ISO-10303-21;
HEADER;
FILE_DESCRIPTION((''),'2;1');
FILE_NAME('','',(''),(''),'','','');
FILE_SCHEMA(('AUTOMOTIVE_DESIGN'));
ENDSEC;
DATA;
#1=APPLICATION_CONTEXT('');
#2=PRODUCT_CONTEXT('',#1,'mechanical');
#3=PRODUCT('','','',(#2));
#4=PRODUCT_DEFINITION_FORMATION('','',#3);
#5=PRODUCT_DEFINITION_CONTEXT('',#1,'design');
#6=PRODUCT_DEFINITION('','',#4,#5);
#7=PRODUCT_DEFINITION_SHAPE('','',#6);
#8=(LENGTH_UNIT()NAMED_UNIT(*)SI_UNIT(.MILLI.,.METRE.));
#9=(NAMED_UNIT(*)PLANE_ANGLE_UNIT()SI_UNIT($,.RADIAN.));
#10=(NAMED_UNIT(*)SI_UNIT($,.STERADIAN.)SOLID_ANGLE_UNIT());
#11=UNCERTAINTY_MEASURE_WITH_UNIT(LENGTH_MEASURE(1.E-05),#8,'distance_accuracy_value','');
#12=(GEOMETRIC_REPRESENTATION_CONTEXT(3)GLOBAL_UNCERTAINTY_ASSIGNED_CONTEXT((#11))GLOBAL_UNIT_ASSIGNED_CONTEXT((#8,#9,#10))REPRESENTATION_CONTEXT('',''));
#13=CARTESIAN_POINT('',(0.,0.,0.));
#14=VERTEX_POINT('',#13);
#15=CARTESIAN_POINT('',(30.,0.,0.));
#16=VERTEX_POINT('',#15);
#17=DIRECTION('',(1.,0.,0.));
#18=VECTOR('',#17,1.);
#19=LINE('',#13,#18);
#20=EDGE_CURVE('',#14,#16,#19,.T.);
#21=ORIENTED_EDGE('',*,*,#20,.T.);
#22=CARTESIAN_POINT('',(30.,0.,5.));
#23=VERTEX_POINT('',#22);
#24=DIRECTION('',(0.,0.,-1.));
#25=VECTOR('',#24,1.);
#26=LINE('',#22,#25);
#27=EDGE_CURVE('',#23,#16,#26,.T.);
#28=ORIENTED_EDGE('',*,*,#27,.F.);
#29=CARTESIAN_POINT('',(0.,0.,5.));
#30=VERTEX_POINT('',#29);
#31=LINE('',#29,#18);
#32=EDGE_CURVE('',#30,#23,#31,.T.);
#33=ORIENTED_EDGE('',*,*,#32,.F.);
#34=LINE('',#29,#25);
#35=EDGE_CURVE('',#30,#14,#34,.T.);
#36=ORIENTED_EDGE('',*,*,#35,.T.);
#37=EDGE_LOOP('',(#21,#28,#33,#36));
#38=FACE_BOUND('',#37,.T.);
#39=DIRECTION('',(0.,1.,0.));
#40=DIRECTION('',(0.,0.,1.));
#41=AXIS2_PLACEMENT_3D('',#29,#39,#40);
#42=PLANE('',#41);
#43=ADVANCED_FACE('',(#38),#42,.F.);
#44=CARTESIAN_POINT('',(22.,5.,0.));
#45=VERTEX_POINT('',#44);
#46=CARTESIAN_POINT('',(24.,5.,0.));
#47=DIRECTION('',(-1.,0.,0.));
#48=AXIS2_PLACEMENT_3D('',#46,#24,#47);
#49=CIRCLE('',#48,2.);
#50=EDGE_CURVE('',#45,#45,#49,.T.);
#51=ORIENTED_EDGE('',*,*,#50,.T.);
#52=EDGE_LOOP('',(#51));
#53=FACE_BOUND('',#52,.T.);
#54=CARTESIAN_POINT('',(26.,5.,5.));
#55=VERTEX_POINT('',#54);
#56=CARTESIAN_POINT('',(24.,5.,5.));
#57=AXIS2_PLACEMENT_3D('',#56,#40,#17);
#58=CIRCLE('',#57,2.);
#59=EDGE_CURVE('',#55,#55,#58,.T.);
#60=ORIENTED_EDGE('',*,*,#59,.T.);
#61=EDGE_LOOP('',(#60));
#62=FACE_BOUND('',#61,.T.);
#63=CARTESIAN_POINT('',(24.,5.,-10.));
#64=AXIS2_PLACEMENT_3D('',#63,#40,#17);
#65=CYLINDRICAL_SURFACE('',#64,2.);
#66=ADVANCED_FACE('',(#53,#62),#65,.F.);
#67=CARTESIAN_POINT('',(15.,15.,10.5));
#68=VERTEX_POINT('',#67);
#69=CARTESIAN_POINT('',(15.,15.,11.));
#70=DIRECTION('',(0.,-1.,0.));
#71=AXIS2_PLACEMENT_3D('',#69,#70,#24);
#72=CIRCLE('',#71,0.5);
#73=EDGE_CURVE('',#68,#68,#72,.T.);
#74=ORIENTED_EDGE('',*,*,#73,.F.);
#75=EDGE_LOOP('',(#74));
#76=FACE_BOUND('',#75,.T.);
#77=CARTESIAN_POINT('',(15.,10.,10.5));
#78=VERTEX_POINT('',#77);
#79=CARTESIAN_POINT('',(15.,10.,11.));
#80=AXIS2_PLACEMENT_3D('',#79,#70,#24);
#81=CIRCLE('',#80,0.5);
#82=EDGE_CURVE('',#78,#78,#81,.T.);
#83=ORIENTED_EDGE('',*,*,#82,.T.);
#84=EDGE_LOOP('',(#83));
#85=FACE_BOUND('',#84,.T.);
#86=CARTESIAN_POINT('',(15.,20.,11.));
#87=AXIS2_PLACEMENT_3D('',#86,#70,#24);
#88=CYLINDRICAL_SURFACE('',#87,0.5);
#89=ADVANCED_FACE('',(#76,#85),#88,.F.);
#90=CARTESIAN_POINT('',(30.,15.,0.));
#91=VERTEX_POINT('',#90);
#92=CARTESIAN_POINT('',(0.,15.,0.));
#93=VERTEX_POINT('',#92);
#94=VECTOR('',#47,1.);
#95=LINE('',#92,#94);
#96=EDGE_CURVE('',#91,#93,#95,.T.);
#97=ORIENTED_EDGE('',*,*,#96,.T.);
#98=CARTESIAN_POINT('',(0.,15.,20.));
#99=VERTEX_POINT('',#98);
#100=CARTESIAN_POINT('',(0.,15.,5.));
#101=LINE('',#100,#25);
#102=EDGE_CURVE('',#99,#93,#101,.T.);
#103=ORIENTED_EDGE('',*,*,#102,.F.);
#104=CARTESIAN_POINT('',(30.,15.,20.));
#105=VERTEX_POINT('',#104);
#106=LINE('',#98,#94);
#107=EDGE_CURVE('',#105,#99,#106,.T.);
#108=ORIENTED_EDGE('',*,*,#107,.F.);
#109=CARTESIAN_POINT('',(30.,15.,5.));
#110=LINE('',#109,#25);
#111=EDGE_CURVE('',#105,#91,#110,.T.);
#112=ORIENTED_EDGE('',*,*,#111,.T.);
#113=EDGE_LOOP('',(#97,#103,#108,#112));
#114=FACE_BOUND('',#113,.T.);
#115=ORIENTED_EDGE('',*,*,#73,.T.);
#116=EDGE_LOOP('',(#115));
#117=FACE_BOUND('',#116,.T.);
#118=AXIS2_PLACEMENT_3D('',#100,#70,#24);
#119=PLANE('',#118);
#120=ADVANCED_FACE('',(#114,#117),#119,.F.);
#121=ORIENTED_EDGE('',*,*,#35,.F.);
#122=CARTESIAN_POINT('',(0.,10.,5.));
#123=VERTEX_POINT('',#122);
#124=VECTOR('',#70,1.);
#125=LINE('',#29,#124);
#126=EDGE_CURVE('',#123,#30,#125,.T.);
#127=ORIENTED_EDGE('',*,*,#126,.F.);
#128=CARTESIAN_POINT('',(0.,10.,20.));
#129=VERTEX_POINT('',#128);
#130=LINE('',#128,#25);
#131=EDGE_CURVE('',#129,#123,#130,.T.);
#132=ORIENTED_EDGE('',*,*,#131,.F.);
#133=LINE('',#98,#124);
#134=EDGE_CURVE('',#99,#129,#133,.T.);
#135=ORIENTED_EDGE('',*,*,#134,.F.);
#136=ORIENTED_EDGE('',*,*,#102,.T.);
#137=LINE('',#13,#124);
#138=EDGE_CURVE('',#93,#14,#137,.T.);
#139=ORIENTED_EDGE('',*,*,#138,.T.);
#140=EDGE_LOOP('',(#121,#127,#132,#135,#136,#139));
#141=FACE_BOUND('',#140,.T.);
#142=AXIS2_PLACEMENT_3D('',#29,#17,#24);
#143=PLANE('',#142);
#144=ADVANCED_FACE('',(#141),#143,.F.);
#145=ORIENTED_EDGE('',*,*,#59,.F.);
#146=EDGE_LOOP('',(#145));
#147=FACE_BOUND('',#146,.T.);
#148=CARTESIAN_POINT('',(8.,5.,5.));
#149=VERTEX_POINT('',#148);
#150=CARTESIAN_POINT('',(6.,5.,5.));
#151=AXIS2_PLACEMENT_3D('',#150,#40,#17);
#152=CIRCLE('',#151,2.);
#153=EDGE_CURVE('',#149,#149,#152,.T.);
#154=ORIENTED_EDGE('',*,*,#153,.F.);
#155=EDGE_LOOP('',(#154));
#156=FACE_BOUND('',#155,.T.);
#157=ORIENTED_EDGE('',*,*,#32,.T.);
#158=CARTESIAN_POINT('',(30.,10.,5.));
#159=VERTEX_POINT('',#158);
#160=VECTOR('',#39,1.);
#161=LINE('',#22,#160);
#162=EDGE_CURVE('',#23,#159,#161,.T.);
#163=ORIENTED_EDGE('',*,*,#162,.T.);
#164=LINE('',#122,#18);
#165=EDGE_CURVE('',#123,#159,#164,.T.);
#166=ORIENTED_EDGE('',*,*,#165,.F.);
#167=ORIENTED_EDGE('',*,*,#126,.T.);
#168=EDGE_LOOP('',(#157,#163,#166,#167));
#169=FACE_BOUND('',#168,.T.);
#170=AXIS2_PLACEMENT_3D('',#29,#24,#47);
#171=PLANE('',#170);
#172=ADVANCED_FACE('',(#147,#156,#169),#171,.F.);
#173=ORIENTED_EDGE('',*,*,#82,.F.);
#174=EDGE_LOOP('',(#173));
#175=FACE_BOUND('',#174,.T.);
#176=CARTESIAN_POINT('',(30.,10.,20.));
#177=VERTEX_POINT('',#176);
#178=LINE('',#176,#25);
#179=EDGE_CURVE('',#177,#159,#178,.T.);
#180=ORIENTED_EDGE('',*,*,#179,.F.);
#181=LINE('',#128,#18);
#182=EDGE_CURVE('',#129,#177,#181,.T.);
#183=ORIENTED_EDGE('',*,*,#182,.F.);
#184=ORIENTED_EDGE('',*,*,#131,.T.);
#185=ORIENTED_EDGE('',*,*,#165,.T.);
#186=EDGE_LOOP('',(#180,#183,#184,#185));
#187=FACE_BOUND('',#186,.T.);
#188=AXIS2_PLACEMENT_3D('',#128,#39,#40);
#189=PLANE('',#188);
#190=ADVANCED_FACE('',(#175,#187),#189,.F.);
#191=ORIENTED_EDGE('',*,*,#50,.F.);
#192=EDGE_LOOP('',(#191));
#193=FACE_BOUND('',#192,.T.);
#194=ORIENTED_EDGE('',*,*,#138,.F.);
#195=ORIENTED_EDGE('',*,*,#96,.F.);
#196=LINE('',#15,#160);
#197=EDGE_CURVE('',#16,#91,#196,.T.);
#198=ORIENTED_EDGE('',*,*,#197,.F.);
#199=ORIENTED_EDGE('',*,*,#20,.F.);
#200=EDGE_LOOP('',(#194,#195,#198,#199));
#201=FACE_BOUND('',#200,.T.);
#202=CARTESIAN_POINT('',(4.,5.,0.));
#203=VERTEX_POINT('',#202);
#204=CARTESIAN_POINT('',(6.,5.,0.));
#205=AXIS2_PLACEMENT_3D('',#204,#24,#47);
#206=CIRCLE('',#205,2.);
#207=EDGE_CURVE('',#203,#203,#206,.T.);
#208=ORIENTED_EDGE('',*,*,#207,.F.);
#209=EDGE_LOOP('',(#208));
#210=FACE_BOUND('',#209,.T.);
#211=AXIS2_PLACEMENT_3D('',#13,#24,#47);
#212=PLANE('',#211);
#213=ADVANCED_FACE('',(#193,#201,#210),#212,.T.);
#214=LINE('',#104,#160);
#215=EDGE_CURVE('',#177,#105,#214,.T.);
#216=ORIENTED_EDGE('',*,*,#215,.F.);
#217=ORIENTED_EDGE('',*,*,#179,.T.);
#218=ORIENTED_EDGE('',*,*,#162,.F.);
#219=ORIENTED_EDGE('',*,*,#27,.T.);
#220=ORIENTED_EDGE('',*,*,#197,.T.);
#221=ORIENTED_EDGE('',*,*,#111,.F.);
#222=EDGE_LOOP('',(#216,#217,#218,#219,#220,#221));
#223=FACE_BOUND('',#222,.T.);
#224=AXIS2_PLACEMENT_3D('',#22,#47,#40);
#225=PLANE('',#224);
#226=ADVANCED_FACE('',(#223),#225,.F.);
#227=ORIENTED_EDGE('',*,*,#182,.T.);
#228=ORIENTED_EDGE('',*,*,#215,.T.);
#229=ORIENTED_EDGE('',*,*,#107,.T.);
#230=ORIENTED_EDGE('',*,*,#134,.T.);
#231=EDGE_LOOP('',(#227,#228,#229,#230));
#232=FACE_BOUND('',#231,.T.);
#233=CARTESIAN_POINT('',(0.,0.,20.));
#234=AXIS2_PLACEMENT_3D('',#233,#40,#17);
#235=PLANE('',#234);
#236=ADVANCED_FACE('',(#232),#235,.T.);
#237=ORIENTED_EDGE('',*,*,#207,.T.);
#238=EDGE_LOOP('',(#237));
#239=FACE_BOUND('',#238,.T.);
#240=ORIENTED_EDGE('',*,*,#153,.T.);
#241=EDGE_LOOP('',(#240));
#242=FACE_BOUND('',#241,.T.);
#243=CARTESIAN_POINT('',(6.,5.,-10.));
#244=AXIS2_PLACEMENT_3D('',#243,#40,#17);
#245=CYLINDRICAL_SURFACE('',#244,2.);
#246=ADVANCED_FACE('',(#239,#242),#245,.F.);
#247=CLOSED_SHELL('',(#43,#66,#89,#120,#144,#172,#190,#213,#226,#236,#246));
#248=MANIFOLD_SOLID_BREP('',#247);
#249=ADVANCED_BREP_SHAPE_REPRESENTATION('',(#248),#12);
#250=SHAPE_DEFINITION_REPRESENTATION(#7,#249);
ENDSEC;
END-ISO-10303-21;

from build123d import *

# Parameters (mm, degrees)
CROQUIS1_W              = 30
CROQUIS1_H              = 15
SALIENTE_EXTRUIR1_DEPTH = 5
CROQUIS2_W              = 30
CROQUIS2_H              = 5
SALIENTE_EXTRUIR2_DEPTH = 15
CROQUIS3_R              = 2
CORTAR_EXTRUIR1_DEPTH   = 15
CROQUIS4_R              = 0.5
CORTAR_EXTRUIR2_DEPTH   = 10


with BuildPart() as part:
    # Croquis1 → Saliente-Extruir1 (new body)
    with BuildSketch(Plane.XY):
        with Locations((15, 7.5)):
            Rectangle(CROQUIS1_W, CROQUIS1_H)
    extrude(amount=SALIENTE_EXTRUIR1_DEPTH)

    # Croquis2 → Saliente-Extruir2 (add)
    with BuildSketch(Plane.XY.offset(5)):
        with Locations((15, 12.5)):
            Rectangle(CROQUIS2_W, CROQUIS2_H)
    extrude(amount=SALIENTE_EXTRUIR2_DEPTH)

    # Croquis3 → Cortar-Extruir1 (cut)
    with BuildSketch(Plane.XY.offset(5)):
        with Locations((24, 5)):
            Circle(CROQUIS3_R)
        with Locations((6, 5)):
            Circle(CROQUIS3_R)
    extrude(amount=-CORTAR_EXTRUIR1_DEPTH, mode=Mode.SUBTRACT)

    # Croquis4 → Cortar-Extruir2 (cut)
    with BuildSketch(Plane(origin=(0, 10, 0), x_dir=(-1, 0, 0), z_dir=(0, -1, 0))):
        with Locations((-15, -11)):
            Circle(CROQUIS4_R)
    extrude(amount=-CORTAR_EXTRUIR2_DEPTH, mode=Mode.SUBTRACT)


solid = part.part
